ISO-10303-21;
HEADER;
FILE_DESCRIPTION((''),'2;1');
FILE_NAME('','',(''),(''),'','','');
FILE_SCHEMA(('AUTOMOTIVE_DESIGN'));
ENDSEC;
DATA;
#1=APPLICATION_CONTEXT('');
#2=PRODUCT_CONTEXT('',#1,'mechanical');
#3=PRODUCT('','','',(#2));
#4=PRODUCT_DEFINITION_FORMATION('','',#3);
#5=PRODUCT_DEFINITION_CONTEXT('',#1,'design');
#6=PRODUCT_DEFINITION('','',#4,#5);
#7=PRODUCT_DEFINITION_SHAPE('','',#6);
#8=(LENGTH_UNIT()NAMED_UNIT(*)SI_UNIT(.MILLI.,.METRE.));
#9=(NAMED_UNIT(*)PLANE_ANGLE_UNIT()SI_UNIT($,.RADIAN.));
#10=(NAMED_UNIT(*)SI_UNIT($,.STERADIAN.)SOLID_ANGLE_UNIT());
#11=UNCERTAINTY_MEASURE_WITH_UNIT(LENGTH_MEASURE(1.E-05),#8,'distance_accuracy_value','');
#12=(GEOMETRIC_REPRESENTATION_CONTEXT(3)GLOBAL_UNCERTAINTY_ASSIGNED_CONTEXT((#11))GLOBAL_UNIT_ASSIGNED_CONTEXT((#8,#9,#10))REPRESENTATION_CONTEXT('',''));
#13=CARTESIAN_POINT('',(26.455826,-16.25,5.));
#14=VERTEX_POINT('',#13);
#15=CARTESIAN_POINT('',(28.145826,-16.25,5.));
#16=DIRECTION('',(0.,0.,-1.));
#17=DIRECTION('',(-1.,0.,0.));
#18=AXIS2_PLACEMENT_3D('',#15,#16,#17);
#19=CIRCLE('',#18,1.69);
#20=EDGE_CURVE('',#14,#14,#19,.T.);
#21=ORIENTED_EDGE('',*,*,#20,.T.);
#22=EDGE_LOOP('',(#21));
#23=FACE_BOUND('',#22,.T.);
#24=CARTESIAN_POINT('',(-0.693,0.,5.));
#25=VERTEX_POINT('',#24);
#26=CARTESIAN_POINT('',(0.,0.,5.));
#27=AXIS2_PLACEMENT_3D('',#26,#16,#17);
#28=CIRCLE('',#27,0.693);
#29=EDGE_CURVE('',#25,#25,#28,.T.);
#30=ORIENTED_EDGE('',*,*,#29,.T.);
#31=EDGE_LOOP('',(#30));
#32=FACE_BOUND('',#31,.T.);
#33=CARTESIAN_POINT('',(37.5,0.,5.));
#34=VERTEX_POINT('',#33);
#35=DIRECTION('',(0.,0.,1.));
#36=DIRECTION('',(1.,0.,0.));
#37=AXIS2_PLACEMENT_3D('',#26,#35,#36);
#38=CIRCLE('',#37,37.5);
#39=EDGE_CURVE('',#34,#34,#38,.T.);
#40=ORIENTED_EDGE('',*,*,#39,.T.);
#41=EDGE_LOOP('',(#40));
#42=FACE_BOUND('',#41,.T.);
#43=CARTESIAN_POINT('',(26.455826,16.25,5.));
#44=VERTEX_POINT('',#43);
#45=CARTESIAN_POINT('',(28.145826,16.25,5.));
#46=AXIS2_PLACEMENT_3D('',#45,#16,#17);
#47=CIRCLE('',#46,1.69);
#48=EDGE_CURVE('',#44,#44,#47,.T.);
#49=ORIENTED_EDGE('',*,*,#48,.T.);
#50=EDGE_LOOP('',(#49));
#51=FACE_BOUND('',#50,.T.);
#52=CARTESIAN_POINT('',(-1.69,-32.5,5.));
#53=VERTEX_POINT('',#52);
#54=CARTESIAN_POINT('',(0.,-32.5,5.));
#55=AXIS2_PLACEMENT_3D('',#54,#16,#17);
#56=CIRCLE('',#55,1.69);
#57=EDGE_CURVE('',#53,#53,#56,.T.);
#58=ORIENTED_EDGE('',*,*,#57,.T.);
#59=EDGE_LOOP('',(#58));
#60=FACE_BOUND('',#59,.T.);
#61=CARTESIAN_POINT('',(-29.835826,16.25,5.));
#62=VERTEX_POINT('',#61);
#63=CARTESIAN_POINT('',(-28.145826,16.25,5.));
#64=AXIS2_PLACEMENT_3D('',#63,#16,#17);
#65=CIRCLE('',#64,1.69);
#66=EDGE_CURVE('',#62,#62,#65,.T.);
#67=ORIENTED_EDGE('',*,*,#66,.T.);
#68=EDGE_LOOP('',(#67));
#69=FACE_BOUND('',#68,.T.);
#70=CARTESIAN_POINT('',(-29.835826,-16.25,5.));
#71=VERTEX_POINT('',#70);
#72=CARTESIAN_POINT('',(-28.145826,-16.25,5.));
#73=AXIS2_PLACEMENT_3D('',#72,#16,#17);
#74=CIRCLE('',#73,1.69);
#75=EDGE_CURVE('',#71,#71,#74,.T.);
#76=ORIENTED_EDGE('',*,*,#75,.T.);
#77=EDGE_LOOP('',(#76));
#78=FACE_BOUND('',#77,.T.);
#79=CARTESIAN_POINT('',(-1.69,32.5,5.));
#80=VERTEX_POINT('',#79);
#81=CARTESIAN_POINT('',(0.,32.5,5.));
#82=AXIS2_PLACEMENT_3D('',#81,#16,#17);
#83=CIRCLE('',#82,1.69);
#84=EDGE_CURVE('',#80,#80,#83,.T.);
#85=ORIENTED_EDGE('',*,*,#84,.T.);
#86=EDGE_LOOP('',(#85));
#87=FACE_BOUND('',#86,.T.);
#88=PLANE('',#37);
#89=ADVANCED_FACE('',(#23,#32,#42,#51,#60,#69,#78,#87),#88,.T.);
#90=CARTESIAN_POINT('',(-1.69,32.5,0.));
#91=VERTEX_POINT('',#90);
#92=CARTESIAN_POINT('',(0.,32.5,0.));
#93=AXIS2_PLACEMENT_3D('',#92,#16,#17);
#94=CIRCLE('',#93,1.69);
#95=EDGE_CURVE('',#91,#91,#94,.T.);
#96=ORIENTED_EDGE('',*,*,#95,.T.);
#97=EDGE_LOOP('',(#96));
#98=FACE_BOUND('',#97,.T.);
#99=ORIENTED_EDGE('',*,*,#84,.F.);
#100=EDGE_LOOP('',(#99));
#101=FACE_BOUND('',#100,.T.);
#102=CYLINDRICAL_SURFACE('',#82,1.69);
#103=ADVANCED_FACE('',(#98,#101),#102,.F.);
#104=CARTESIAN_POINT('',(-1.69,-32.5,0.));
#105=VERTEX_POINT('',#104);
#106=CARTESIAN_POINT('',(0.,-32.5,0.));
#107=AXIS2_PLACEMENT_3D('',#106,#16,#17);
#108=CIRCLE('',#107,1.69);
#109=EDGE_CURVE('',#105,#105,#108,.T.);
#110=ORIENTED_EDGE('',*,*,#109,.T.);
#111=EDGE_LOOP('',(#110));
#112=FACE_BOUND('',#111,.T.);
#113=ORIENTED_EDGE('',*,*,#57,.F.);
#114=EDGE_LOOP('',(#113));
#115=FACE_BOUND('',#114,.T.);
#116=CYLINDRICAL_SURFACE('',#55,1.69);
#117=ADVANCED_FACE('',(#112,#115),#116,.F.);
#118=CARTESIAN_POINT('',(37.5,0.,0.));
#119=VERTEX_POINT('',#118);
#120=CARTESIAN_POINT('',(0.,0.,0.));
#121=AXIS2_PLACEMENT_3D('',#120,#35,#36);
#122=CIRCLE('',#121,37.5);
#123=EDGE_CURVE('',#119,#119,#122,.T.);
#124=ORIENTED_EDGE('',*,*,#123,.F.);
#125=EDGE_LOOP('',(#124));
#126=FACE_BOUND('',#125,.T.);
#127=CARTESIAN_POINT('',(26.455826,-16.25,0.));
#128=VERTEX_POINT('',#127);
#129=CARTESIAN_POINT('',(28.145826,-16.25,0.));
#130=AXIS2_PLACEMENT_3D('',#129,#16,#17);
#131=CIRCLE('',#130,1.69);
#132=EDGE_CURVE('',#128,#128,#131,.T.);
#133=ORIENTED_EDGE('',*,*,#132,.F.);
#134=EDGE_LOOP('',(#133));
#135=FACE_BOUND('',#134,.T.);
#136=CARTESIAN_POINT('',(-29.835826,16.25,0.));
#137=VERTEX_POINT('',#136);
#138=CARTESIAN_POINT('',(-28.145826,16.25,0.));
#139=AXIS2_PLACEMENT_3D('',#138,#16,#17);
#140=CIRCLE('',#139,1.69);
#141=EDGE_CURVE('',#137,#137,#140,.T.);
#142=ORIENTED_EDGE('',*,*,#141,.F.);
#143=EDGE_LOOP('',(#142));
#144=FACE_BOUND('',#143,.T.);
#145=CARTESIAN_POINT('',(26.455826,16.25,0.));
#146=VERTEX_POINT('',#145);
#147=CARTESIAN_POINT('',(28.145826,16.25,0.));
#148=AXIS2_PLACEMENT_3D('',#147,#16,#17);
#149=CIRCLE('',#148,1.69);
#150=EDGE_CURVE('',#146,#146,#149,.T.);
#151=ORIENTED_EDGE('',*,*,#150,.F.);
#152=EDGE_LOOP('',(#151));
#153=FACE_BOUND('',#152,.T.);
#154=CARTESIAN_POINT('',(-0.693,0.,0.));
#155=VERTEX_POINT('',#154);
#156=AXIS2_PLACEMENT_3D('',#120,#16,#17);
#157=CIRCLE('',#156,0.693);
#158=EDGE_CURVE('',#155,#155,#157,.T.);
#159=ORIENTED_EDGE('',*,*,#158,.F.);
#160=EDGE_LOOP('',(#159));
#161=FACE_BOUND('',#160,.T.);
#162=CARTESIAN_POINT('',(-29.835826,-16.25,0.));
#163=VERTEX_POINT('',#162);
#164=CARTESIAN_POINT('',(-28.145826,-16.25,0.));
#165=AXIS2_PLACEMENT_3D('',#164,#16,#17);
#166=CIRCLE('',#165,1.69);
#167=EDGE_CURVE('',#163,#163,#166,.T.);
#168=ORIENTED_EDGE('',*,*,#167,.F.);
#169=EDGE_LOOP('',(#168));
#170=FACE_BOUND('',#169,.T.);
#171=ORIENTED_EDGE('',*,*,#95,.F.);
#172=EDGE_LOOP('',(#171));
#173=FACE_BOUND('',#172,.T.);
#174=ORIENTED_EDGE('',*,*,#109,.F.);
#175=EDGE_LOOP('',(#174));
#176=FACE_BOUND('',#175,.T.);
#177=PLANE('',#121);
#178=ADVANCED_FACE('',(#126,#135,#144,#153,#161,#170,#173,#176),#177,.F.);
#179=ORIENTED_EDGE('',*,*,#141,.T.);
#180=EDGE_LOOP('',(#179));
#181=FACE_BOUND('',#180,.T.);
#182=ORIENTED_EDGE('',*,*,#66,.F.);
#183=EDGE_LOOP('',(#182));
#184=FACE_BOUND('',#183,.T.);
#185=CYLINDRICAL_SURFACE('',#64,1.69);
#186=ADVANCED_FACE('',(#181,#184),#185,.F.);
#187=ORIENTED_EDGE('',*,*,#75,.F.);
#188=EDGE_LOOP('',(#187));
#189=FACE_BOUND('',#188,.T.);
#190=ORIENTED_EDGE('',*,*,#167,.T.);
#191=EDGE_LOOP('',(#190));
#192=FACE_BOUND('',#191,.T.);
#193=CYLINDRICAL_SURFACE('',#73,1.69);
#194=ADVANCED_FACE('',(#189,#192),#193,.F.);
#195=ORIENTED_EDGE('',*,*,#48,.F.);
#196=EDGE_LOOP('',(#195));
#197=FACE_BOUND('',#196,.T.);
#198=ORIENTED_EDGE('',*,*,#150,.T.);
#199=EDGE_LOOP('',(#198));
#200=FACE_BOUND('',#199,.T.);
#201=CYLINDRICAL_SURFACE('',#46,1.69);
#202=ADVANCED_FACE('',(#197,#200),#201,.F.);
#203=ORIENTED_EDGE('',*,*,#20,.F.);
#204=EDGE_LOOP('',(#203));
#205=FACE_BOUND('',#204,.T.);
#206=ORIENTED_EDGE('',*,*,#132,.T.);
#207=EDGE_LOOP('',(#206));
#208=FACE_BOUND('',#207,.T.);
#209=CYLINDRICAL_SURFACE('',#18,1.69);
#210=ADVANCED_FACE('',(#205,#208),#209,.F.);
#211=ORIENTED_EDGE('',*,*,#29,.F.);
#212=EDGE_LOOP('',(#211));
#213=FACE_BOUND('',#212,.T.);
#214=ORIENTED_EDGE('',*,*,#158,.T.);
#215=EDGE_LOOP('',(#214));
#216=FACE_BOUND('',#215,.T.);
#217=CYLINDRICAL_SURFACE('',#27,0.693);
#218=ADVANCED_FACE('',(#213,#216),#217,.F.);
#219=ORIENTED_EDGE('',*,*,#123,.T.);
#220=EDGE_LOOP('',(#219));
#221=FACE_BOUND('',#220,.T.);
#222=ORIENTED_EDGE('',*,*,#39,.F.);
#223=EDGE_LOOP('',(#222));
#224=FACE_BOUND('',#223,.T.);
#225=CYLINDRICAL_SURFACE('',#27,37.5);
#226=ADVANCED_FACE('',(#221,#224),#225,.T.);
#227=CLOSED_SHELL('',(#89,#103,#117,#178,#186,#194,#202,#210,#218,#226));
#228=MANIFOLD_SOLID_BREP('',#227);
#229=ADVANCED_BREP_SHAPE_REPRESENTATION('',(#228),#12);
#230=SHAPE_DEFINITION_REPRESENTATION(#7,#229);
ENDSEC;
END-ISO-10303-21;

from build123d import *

# Parameters (mm, degrees)
SKETCH1_R           = 37.5
BOSS_EXTRUDE1_DEPTH = 5
SKETCH2_R           = 0.693
CUT_EXTRUDE1_DEPTH  = 6
SKETCH3_R           = 1.69
CUT_EXTRUDE2_DEPTH  = 6


with BuildPart() as part:
    # Sketch1 → Boss-Extrude1 (new body)
    with BuildSketch(Plane.XY):
        Circle(SKETCH1_R)
    extrude(amount=BOSS_EXTRUDE1_DEPTH)

    # Sketch2 → Cut-Extrude1 (cut, through all)
    with BuildSketch(Plane(origin=(0, 0, 0), x_dir=(-1, 0, 0), z_dir=(0, 0, -1))):
        Circle(SKETCH2_R)
    extrude(amount=-CUT_EXTRUDE1_DEPTH, mode=Mode.SUBTRACT)

    # Sketch3 → Cut-Extrude2 (cut, through all)
    with BuildSketch(Plane(origin=(0, 0, 0), x_dir=(-1, 0, 0), z_dir=(0, 0, -1))):
        with Locations((0, 32.5)):
            Circle(SKETCH3_R)
        with Locations((28.145825623, 16.25)):
            Circle(SKETCH3_R)
        with Locations((28.145825623, -16.25)):
            Circle(SKETCH3_R)
        with Locations((0, -32.5)):
            Circle(SKETCH3_R)
        with Locations((-28.145825623, -16.25)):
            Circle(SKETCH3_R)
        with Locations((-28.145825623, 16.25)):
            Circle(SKETCH3_R)
    extrude(amount=-CUT_EXTRUDE2_DEPTH, mode=Mode.SUBTRACT)


solid = part.part
